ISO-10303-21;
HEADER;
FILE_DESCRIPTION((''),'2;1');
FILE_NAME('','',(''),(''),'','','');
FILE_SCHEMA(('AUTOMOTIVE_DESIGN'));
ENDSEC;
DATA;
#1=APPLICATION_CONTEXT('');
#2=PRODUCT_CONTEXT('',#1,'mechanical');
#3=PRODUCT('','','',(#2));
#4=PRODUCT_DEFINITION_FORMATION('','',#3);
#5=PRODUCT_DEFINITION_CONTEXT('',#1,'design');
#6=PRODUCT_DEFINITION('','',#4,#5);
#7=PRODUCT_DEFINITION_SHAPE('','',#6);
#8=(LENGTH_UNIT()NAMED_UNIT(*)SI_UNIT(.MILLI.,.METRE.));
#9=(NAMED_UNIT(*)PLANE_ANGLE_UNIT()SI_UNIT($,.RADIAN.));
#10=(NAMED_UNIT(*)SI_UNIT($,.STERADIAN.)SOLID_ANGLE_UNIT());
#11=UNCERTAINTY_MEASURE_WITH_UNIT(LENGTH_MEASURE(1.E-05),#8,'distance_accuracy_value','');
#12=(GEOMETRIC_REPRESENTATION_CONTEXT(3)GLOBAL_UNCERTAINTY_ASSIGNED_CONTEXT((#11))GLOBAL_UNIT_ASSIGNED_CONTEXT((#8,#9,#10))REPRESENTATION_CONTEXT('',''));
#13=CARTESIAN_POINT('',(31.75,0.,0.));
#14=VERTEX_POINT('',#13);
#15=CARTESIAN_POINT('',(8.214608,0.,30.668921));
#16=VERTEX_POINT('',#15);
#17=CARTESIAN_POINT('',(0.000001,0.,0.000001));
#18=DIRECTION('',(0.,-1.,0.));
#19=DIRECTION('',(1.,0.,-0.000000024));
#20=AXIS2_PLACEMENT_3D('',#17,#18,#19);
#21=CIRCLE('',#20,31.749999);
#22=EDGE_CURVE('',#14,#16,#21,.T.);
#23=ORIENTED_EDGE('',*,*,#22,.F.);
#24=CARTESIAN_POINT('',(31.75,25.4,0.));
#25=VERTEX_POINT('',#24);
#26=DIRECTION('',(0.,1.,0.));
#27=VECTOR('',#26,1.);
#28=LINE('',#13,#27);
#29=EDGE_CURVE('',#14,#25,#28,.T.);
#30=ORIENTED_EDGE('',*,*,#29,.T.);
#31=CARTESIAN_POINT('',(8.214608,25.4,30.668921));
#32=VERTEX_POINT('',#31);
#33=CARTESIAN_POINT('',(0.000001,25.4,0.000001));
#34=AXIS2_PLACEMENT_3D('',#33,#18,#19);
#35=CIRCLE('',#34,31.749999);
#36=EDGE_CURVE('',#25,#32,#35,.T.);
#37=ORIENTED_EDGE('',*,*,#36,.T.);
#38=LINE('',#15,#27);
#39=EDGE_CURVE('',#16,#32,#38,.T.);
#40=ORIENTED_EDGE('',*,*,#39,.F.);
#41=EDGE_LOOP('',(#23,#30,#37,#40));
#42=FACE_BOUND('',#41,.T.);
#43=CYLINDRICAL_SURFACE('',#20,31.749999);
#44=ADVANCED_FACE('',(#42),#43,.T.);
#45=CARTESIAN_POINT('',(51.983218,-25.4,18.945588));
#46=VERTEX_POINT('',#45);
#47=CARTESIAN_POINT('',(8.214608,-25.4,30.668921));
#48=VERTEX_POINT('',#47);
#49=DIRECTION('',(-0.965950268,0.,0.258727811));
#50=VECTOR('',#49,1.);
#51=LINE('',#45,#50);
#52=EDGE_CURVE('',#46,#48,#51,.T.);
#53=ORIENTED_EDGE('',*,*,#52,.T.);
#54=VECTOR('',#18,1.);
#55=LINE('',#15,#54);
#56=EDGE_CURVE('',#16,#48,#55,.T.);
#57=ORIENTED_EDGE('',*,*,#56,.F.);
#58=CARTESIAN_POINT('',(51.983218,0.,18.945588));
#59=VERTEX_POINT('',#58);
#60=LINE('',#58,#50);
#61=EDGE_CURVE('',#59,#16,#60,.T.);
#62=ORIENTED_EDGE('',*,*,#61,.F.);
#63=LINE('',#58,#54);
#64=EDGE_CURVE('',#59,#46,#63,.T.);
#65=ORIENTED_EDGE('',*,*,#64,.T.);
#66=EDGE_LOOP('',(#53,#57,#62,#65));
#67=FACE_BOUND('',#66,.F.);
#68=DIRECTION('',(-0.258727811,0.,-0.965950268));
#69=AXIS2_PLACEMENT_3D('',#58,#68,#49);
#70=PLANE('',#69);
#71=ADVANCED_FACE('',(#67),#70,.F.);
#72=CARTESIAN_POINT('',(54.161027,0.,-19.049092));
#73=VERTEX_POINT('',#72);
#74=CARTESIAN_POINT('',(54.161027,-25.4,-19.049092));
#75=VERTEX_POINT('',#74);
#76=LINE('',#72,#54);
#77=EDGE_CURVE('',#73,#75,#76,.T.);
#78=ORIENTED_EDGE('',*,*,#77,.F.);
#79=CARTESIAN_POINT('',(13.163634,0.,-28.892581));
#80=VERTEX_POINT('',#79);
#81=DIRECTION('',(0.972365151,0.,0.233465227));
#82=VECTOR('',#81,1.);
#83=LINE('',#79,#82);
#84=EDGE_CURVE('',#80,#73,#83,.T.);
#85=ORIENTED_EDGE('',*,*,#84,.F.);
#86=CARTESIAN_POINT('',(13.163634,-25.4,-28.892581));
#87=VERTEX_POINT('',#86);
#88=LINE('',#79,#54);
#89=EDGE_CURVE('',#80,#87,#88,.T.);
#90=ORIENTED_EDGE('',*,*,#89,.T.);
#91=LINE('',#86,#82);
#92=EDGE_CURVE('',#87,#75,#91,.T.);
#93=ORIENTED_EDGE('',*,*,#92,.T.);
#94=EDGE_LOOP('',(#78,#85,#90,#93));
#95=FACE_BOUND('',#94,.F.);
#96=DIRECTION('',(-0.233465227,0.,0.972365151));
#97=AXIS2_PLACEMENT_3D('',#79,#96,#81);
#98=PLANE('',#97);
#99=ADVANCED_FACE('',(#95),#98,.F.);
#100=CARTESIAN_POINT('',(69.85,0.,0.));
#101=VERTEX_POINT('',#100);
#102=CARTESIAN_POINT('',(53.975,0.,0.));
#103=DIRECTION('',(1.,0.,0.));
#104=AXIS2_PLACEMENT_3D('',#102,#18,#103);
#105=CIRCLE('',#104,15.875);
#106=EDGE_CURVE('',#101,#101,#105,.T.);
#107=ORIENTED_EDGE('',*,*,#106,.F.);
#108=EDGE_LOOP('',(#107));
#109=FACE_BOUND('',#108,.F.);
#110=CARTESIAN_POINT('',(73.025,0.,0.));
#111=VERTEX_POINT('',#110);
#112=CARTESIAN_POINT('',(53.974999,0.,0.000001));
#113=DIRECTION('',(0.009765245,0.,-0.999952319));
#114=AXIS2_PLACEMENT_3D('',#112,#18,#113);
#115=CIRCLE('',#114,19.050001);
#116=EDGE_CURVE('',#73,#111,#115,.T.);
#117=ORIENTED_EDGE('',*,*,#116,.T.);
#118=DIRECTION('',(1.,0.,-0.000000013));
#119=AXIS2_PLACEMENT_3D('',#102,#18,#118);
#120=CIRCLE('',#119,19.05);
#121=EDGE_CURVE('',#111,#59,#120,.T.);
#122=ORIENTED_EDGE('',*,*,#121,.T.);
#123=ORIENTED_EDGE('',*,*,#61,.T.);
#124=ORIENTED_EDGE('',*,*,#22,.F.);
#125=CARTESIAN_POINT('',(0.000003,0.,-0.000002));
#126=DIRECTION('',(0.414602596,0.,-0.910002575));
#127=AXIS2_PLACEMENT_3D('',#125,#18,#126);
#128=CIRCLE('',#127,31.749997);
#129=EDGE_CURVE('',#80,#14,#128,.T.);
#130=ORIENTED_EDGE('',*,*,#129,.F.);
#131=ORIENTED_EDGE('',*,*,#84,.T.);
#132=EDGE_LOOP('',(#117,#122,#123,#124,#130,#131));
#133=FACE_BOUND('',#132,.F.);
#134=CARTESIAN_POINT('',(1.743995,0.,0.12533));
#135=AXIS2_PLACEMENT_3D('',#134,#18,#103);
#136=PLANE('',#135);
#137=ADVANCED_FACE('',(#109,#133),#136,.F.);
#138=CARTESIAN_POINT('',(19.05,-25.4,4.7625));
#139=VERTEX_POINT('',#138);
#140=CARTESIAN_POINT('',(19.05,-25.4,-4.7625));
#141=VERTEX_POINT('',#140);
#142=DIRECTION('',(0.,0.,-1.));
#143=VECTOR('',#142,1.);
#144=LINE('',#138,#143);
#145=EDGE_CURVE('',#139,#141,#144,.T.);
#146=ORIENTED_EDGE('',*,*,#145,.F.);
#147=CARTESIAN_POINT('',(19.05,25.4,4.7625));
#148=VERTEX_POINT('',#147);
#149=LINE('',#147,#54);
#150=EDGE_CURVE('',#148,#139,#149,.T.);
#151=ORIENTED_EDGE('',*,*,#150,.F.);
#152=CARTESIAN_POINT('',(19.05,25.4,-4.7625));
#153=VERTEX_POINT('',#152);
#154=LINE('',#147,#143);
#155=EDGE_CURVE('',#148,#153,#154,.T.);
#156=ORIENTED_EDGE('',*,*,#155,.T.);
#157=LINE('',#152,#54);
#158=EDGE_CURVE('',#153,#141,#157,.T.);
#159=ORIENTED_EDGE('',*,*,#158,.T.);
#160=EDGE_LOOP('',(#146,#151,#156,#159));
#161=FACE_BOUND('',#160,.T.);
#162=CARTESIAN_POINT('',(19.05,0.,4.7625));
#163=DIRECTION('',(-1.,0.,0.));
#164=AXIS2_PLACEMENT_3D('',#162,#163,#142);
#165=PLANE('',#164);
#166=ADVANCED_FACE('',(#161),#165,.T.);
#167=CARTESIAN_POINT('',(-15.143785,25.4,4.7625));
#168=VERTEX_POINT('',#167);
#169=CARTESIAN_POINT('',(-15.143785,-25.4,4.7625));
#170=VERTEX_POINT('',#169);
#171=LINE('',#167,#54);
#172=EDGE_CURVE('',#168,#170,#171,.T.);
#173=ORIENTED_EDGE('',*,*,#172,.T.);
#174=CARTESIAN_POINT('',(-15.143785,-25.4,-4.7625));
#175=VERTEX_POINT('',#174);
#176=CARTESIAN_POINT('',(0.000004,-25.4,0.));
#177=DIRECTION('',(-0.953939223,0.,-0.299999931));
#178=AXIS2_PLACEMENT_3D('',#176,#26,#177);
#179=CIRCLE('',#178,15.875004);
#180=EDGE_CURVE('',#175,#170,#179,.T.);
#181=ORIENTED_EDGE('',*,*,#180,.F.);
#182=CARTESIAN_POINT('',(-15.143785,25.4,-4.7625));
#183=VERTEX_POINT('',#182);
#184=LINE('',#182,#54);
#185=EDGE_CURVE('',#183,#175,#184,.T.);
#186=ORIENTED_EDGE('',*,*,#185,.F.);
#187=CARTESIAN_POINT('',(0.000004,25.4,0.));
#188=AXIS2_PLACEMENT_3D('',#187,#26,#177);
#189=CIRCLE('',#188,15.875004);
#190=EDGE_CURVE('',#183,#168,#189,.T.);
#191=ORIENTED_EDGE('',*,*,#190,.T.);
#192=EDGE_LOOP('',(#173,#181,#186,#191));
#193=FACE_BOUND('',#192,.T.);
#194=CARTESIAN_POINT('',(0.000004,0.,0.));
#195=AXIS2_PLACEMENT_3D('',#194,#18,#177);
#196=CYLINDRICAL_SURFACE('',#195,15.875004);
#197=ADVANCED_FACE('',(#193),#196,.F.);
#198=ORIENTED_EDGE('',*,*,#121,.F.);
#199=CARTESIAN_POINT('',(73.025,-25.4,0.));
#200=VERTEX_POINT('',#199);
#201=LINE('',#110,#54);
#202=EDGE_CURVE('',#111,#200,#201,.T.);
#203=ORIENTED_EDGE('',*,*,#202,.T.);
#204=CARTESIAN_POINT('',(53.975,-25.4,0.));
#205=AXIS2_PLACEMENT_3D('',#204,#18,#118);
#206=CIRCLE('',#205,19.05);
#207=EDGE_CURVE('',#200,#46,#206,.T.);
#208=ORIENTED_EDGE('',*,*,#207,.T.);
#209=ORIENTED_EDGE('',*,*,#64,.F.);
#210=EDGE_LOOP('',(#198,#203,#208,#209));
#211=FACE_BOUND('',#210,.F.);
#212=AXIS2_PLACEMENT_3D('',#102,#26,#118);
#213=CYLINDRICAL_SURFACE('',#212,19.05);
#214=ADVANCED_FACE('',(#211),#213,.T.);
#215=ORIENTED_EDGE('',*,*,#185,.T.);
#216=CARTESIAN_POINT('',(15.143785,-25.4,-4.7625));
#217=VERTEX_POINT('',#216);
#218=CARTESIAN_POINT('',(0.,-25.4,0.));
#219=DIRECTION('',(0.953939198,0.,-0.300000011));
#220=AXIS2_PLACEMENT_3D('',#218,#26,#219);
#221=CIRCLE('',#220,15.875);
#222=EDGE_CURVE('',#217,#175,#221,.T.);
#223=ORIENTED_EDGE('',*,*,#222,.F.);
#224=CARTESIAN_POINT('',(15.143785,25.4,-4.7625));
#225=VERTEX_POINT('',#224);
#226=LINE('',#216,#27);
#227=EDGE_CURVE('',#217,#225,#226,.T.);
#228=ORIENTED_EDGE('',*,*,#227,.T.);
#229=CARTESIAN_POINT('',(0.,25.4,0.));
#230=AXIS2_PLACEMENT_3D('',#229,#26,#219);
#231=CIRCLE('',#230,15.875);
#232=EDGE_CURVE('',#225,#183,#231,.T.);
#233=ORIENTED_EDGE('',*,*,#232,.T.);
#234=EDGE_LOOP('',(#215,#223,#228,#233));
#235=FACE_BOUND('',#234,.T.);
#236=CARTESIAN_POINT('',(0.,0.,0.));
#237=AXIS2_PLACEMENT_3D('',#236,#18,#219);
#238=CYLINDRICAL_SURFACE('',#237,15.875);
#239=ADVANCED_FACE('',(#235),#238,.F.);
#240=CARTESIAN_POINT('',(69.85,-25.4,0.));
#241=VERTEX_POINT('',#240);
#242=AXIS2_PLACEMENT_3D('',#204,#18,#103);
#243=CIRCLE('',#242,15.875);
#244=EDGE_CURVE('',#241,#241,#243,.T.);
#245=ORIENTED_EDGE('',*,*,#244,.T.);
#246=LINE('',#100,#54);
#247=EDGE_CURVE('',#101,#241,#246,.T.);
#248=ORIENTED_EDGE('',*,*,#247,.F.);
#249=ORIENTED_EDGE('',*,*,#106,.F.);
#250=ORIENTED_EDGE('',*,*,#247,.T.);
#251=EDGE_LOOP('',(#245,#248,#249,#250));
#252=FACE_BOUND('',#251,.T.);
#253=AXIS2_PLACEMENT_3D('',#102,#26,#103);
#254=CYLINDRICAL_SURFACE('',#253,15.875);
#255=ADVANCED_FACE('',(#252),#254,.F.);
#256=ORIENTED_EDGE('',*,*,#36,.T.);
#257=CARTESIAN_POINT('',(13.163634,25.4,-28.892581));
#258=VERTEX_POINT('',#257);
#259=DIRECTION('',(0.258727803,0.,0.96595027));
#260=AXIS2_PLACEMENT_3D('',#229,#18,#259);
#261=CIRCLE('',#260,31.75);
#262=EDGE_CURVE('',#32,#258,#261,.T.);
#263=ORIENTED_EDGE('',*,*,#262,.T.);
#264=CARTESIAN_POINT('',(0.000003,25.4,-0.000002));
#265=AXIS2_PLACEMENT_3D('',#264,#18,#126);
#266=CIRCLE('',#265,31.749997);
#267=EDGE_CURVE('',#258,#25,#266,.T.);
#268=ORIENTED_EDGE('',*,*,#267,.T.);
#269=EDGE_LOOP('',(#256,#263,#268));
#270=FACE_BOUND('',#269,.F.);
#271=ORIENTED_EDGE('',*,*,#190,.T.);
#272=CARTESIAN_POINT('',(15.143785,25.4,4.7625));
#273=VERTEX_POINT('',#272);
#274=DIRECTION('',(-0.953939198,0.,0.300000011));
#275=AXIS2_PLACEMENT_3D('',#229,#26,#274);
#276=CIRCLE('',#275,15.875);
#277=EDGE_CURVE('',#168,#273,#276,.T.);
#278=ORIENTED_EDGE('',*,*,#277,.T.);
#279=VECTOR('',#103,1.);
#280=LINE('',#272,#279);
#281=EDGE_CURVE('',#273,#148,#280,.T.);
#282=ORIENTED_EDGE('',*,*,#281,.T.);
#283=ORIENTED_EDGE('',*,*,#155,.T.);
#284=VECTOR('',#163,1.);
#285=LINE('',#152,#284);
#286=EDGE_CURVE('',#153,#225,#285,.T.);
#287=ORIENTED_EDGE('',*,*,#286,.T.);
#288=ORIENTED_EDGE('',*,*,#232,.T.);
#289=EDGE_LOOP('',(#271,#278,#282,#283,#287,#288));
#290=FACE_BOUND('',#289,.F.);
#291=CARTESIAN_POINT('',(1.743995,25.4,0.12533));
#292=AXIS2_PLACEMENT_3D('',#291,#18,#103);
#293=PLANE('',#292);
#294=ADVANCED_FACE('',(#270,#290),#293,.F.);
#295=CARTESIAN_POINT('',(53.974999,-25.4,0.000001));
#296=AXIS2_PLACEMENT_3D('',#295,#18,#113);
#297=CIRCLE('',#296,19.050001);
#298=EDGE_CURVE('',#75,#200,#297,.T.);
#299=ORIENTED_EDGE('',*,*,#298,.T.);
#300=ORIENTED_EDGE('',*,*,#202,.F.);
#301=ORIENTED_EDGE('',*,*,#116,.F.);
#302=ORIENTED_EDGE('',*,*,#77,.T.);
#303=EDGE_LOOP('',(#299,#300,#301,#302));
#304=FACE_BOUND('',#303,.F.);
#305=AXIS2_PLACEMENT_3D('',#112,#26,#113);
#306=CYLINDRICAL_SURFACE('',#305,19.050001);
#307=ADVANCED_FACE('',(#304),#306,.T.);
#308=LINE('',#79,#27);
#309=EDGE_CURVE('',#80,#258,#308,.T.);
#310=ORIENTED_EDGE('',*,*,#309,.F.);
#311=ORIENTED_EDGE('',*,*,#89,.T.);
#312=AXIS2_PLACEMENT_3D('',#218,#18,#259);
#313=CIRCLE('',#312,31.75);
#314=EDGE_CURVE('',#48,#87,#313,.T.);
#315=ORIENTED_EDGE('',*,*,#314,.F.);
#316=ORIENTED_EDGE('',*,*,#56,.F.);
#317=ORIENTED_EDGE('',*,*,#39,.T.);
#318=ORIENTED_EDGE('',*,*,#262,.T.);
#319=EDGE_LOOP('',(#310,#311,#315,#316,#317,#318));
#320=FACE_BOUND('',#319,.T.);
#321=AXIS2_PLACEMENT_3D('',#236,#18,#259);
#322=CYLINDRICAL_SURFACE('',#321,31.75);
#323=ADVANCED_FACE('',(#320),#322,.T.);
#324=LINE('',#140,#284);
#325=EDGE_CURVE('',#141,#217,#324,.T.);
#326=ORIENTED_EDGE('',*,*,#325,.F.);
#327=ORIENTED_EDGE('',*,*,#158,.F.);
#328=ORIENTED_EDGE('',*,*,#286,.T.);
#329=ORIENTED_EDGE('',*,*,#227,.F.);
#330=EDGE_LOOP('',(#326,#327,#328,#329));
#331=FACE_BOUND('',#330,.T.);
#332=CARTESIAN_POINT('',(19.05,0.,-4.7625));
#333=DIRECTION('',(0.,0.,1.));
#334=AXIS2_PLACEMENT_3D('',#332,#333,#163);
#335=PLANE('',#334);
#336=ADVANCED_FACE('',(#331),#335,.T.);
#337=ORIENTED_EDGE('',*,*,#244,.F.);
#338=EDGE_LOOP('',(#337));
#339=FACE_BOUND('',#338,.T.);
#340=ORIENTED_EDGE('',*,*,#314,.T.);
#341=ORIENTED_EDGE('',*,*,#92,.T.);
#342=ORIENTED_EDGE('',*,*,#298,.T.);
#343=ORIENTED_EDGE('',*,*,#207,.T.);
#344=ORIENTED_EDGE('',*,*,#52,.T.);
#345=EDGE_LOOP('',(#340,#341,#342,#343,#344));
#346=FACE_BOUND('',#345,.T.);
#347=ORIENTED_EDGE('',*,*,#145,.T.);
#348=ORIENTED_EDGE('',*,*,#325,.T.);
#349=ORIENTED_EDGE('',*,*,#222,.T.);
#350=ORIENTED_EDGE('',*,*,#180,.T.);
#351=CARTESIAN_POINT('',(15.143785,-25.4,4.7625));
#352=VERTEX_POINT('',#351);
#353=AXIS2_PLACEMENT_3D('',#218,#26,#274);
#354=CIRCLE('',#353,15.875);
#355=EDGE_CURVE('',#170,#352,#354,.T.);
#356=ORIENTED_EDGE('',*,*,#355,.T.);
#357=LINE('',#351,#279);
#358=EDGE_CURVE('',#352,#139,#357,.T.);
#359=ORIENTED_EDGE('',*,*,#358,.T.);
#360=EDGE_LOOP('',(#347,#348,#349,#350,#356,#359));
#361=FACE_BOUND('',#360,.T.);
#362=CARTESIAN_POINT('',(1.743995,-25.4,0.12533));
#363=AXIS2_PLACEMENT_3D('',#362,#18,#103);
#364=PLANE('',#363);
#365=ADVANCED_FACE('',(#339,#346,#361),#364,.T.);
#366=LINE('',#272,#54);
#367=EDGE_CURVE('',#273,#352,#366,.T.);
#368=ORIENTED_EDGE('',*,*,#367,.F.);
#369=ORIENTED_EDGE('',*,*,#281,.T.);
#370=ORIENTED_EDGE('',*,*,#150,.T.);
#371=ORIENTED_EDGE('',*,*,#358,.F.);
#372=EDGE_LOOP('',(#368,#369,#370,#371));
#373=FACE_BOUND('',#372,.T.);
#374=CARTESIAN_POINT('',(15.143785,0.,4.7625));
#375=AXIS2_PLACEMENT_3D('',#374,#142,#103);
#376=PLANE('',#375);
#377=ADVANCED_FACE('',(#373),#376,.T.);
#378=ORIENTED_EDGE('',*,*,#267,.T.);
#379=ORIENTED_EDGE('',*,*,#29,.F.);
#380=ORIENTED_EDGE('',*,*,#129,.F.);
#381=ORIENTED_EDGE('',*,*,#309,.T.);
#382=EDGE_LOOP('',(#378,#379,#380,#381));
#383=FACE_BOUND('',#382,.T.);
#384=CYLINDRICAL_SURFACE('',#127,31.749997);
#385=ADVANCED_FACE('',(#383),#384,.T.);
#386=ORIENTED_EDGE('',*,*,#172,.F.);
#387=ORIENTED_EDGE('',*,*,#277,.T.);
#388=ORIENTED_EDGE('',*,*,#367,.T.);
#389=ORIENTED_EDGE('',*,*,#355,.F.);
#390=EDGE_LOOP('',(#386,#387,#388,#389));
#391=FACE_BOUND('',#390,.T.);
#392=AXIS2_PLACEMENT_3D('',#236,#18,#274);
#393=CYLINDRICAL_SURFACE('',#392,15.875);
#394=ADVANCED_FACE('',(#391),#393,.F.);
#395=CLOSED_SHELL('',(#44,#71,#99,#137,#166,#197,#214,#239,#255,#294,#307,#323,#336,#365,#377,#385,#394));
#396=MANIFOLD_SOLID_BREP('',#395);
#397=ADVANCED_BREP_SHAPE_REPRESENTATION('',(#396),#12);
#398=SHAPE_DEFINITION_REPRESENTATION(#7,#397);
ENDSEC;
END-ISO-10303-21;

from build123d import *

# Parameters (mm, degrees)
F0_R     = 15.875
F1_DEPTH = 25.4
F2_DEPTH = 25.4


with BuildPart() as f1:
    # F0 (on Front) → F1 (new body)
    with BuildSketch(Plane.XZ):
        with BuildLine():
            ThreePointArc((13.163634, -28.892581), (26.702134, -17.177269), (31.75, 0))
            ThreePointArc((31.75, 0), (25.188056, 19.329365), (8.214608, 30.668921))
            ThreePointArc((8.214608, 30.668921), (-31.640961, -2.62908), (13.163634, -28.892581))
        make_face()
        with BuildLine():
            ThreePointArc((-15.143785, 4.7625), (0, 15.875), (15.143785, 4.7625))
            Line((15.143785, 4.7625), (19.05, 4.7625))
            Line((19.05, 4.7625), (19.05, -4.7625))
            Line((19.05, -4.7625), (15.143785, -4.7625))
            ThreePointArc((15.143785, -4.7625), (0, -15.875), (-15.143785, -4.7625))
            Line((-15.143785, -4.7625), (-19.05, -4.7625))
            Line((-19.05, -4.7625), (-19.05, 4.7625))
            Line((-19.05, 4.7625), (-15.143785, 4.7625))
        make_face(mode=Mode.SUBTRACT)
        with BuildLine():
            ThreePointArc((73.025, 0), (66.721746, 14.157082), (51.983218, 18.945588))
            ThreePointArc((51.983218, 18.945588), (34.956217, -1.090134), (54.161027, -19.049092))
            ThreePointArc((54.161027, -19.049092), (67.510995, -13.404452), (73.025, 0))
        make_face()
        with Locations((53.975, 0)):
            Circle(F0_R, mode=Mode.SUBTRACT)
        with BuildLine():
            ThreePointArc((8.214608, 30.668921), (25.188056, 19.329365), (31.75, 0))
            ThreePointArc((31.75, 0), (26.702134, -17.177269), (13.163634, -28.892581))
            Line((13.163634, -28.892581), (54.161027, -19.049092))
            ThreePointArc((54.161027, -19.049092), (34.956217, -1.090134), (51.983218, 18.945588))
            Line((51.983218, 18.945588), (8.214608, 30.668921))
        make_face()
        with BuildLine():
            ThreePointArc((-15.143785, -4.7625), (-15.875, 0), (-15.143785, 4.7625))
            Line((-15.143785, 4.7625), (-19.05, 4.7625))
            Line((-19.05, 4.7625), (-19.05, -4.7625))
            Line((-19.05, -4.7625), (-15.143785, -4.7625))
        make_face()
    extrude(amount=F1_DEPTH)

    # F0 (on Front) → F2 (join)
    with BuildSketch(Plane.XZ):
        with BuildLine():
            ThreePointArc((13.163634, -28.892581), (26.702134, -17.177269), (31.75, 0))
            ThreePointArc((31.75, 0), (25.188056, 19.329365), (8.214608, 30.668921))
            ThreePointArc((8.214608, 30.668921), (-31.640961, -2.62908), (13.163634, -28.892581))
        make_face()
        with BuildLine():
            ThreePointArc((-15.143785, 4.7625), (0, 15.875), (15.143785, 4.7625))
            Line((15.143785, 4.7625), (19.05, 4.7625))
            Line((19.05, 4.7625), (19.05, -4.7625))
            Line((19.05, -4.7625), (15.143785, -4.7625))
            ThreePointArc((15.143785, -4.7625), (0, -15.875), (-15.143785, -4.7625))
            Line((-15.143785, -4.7625), (-19.05, -4.7625))
            Line((-19.05, -4.7625), (-19.05, 4.7625))
            Line((-19.05, 4.7625), (-15.143785, 4.7625))
        make_face(mode=Mode.SUBTRACT)
        with BuildLine():
            ThreePointArc((-15.143785, -4.7625), (-15.875, 0), (-15.143785, 4.7625))
            Line((-15.143785, 4.7625), (-19.05, 4.7625))
            Line((-19.05, 4.7625), (-19.05, -4.7625))
            Line((-19.05, -4.7625), (-15.143785, -4.7625))
        make_face()
    extrude(amount=-F2_DEPTH)


solid = f1.part
